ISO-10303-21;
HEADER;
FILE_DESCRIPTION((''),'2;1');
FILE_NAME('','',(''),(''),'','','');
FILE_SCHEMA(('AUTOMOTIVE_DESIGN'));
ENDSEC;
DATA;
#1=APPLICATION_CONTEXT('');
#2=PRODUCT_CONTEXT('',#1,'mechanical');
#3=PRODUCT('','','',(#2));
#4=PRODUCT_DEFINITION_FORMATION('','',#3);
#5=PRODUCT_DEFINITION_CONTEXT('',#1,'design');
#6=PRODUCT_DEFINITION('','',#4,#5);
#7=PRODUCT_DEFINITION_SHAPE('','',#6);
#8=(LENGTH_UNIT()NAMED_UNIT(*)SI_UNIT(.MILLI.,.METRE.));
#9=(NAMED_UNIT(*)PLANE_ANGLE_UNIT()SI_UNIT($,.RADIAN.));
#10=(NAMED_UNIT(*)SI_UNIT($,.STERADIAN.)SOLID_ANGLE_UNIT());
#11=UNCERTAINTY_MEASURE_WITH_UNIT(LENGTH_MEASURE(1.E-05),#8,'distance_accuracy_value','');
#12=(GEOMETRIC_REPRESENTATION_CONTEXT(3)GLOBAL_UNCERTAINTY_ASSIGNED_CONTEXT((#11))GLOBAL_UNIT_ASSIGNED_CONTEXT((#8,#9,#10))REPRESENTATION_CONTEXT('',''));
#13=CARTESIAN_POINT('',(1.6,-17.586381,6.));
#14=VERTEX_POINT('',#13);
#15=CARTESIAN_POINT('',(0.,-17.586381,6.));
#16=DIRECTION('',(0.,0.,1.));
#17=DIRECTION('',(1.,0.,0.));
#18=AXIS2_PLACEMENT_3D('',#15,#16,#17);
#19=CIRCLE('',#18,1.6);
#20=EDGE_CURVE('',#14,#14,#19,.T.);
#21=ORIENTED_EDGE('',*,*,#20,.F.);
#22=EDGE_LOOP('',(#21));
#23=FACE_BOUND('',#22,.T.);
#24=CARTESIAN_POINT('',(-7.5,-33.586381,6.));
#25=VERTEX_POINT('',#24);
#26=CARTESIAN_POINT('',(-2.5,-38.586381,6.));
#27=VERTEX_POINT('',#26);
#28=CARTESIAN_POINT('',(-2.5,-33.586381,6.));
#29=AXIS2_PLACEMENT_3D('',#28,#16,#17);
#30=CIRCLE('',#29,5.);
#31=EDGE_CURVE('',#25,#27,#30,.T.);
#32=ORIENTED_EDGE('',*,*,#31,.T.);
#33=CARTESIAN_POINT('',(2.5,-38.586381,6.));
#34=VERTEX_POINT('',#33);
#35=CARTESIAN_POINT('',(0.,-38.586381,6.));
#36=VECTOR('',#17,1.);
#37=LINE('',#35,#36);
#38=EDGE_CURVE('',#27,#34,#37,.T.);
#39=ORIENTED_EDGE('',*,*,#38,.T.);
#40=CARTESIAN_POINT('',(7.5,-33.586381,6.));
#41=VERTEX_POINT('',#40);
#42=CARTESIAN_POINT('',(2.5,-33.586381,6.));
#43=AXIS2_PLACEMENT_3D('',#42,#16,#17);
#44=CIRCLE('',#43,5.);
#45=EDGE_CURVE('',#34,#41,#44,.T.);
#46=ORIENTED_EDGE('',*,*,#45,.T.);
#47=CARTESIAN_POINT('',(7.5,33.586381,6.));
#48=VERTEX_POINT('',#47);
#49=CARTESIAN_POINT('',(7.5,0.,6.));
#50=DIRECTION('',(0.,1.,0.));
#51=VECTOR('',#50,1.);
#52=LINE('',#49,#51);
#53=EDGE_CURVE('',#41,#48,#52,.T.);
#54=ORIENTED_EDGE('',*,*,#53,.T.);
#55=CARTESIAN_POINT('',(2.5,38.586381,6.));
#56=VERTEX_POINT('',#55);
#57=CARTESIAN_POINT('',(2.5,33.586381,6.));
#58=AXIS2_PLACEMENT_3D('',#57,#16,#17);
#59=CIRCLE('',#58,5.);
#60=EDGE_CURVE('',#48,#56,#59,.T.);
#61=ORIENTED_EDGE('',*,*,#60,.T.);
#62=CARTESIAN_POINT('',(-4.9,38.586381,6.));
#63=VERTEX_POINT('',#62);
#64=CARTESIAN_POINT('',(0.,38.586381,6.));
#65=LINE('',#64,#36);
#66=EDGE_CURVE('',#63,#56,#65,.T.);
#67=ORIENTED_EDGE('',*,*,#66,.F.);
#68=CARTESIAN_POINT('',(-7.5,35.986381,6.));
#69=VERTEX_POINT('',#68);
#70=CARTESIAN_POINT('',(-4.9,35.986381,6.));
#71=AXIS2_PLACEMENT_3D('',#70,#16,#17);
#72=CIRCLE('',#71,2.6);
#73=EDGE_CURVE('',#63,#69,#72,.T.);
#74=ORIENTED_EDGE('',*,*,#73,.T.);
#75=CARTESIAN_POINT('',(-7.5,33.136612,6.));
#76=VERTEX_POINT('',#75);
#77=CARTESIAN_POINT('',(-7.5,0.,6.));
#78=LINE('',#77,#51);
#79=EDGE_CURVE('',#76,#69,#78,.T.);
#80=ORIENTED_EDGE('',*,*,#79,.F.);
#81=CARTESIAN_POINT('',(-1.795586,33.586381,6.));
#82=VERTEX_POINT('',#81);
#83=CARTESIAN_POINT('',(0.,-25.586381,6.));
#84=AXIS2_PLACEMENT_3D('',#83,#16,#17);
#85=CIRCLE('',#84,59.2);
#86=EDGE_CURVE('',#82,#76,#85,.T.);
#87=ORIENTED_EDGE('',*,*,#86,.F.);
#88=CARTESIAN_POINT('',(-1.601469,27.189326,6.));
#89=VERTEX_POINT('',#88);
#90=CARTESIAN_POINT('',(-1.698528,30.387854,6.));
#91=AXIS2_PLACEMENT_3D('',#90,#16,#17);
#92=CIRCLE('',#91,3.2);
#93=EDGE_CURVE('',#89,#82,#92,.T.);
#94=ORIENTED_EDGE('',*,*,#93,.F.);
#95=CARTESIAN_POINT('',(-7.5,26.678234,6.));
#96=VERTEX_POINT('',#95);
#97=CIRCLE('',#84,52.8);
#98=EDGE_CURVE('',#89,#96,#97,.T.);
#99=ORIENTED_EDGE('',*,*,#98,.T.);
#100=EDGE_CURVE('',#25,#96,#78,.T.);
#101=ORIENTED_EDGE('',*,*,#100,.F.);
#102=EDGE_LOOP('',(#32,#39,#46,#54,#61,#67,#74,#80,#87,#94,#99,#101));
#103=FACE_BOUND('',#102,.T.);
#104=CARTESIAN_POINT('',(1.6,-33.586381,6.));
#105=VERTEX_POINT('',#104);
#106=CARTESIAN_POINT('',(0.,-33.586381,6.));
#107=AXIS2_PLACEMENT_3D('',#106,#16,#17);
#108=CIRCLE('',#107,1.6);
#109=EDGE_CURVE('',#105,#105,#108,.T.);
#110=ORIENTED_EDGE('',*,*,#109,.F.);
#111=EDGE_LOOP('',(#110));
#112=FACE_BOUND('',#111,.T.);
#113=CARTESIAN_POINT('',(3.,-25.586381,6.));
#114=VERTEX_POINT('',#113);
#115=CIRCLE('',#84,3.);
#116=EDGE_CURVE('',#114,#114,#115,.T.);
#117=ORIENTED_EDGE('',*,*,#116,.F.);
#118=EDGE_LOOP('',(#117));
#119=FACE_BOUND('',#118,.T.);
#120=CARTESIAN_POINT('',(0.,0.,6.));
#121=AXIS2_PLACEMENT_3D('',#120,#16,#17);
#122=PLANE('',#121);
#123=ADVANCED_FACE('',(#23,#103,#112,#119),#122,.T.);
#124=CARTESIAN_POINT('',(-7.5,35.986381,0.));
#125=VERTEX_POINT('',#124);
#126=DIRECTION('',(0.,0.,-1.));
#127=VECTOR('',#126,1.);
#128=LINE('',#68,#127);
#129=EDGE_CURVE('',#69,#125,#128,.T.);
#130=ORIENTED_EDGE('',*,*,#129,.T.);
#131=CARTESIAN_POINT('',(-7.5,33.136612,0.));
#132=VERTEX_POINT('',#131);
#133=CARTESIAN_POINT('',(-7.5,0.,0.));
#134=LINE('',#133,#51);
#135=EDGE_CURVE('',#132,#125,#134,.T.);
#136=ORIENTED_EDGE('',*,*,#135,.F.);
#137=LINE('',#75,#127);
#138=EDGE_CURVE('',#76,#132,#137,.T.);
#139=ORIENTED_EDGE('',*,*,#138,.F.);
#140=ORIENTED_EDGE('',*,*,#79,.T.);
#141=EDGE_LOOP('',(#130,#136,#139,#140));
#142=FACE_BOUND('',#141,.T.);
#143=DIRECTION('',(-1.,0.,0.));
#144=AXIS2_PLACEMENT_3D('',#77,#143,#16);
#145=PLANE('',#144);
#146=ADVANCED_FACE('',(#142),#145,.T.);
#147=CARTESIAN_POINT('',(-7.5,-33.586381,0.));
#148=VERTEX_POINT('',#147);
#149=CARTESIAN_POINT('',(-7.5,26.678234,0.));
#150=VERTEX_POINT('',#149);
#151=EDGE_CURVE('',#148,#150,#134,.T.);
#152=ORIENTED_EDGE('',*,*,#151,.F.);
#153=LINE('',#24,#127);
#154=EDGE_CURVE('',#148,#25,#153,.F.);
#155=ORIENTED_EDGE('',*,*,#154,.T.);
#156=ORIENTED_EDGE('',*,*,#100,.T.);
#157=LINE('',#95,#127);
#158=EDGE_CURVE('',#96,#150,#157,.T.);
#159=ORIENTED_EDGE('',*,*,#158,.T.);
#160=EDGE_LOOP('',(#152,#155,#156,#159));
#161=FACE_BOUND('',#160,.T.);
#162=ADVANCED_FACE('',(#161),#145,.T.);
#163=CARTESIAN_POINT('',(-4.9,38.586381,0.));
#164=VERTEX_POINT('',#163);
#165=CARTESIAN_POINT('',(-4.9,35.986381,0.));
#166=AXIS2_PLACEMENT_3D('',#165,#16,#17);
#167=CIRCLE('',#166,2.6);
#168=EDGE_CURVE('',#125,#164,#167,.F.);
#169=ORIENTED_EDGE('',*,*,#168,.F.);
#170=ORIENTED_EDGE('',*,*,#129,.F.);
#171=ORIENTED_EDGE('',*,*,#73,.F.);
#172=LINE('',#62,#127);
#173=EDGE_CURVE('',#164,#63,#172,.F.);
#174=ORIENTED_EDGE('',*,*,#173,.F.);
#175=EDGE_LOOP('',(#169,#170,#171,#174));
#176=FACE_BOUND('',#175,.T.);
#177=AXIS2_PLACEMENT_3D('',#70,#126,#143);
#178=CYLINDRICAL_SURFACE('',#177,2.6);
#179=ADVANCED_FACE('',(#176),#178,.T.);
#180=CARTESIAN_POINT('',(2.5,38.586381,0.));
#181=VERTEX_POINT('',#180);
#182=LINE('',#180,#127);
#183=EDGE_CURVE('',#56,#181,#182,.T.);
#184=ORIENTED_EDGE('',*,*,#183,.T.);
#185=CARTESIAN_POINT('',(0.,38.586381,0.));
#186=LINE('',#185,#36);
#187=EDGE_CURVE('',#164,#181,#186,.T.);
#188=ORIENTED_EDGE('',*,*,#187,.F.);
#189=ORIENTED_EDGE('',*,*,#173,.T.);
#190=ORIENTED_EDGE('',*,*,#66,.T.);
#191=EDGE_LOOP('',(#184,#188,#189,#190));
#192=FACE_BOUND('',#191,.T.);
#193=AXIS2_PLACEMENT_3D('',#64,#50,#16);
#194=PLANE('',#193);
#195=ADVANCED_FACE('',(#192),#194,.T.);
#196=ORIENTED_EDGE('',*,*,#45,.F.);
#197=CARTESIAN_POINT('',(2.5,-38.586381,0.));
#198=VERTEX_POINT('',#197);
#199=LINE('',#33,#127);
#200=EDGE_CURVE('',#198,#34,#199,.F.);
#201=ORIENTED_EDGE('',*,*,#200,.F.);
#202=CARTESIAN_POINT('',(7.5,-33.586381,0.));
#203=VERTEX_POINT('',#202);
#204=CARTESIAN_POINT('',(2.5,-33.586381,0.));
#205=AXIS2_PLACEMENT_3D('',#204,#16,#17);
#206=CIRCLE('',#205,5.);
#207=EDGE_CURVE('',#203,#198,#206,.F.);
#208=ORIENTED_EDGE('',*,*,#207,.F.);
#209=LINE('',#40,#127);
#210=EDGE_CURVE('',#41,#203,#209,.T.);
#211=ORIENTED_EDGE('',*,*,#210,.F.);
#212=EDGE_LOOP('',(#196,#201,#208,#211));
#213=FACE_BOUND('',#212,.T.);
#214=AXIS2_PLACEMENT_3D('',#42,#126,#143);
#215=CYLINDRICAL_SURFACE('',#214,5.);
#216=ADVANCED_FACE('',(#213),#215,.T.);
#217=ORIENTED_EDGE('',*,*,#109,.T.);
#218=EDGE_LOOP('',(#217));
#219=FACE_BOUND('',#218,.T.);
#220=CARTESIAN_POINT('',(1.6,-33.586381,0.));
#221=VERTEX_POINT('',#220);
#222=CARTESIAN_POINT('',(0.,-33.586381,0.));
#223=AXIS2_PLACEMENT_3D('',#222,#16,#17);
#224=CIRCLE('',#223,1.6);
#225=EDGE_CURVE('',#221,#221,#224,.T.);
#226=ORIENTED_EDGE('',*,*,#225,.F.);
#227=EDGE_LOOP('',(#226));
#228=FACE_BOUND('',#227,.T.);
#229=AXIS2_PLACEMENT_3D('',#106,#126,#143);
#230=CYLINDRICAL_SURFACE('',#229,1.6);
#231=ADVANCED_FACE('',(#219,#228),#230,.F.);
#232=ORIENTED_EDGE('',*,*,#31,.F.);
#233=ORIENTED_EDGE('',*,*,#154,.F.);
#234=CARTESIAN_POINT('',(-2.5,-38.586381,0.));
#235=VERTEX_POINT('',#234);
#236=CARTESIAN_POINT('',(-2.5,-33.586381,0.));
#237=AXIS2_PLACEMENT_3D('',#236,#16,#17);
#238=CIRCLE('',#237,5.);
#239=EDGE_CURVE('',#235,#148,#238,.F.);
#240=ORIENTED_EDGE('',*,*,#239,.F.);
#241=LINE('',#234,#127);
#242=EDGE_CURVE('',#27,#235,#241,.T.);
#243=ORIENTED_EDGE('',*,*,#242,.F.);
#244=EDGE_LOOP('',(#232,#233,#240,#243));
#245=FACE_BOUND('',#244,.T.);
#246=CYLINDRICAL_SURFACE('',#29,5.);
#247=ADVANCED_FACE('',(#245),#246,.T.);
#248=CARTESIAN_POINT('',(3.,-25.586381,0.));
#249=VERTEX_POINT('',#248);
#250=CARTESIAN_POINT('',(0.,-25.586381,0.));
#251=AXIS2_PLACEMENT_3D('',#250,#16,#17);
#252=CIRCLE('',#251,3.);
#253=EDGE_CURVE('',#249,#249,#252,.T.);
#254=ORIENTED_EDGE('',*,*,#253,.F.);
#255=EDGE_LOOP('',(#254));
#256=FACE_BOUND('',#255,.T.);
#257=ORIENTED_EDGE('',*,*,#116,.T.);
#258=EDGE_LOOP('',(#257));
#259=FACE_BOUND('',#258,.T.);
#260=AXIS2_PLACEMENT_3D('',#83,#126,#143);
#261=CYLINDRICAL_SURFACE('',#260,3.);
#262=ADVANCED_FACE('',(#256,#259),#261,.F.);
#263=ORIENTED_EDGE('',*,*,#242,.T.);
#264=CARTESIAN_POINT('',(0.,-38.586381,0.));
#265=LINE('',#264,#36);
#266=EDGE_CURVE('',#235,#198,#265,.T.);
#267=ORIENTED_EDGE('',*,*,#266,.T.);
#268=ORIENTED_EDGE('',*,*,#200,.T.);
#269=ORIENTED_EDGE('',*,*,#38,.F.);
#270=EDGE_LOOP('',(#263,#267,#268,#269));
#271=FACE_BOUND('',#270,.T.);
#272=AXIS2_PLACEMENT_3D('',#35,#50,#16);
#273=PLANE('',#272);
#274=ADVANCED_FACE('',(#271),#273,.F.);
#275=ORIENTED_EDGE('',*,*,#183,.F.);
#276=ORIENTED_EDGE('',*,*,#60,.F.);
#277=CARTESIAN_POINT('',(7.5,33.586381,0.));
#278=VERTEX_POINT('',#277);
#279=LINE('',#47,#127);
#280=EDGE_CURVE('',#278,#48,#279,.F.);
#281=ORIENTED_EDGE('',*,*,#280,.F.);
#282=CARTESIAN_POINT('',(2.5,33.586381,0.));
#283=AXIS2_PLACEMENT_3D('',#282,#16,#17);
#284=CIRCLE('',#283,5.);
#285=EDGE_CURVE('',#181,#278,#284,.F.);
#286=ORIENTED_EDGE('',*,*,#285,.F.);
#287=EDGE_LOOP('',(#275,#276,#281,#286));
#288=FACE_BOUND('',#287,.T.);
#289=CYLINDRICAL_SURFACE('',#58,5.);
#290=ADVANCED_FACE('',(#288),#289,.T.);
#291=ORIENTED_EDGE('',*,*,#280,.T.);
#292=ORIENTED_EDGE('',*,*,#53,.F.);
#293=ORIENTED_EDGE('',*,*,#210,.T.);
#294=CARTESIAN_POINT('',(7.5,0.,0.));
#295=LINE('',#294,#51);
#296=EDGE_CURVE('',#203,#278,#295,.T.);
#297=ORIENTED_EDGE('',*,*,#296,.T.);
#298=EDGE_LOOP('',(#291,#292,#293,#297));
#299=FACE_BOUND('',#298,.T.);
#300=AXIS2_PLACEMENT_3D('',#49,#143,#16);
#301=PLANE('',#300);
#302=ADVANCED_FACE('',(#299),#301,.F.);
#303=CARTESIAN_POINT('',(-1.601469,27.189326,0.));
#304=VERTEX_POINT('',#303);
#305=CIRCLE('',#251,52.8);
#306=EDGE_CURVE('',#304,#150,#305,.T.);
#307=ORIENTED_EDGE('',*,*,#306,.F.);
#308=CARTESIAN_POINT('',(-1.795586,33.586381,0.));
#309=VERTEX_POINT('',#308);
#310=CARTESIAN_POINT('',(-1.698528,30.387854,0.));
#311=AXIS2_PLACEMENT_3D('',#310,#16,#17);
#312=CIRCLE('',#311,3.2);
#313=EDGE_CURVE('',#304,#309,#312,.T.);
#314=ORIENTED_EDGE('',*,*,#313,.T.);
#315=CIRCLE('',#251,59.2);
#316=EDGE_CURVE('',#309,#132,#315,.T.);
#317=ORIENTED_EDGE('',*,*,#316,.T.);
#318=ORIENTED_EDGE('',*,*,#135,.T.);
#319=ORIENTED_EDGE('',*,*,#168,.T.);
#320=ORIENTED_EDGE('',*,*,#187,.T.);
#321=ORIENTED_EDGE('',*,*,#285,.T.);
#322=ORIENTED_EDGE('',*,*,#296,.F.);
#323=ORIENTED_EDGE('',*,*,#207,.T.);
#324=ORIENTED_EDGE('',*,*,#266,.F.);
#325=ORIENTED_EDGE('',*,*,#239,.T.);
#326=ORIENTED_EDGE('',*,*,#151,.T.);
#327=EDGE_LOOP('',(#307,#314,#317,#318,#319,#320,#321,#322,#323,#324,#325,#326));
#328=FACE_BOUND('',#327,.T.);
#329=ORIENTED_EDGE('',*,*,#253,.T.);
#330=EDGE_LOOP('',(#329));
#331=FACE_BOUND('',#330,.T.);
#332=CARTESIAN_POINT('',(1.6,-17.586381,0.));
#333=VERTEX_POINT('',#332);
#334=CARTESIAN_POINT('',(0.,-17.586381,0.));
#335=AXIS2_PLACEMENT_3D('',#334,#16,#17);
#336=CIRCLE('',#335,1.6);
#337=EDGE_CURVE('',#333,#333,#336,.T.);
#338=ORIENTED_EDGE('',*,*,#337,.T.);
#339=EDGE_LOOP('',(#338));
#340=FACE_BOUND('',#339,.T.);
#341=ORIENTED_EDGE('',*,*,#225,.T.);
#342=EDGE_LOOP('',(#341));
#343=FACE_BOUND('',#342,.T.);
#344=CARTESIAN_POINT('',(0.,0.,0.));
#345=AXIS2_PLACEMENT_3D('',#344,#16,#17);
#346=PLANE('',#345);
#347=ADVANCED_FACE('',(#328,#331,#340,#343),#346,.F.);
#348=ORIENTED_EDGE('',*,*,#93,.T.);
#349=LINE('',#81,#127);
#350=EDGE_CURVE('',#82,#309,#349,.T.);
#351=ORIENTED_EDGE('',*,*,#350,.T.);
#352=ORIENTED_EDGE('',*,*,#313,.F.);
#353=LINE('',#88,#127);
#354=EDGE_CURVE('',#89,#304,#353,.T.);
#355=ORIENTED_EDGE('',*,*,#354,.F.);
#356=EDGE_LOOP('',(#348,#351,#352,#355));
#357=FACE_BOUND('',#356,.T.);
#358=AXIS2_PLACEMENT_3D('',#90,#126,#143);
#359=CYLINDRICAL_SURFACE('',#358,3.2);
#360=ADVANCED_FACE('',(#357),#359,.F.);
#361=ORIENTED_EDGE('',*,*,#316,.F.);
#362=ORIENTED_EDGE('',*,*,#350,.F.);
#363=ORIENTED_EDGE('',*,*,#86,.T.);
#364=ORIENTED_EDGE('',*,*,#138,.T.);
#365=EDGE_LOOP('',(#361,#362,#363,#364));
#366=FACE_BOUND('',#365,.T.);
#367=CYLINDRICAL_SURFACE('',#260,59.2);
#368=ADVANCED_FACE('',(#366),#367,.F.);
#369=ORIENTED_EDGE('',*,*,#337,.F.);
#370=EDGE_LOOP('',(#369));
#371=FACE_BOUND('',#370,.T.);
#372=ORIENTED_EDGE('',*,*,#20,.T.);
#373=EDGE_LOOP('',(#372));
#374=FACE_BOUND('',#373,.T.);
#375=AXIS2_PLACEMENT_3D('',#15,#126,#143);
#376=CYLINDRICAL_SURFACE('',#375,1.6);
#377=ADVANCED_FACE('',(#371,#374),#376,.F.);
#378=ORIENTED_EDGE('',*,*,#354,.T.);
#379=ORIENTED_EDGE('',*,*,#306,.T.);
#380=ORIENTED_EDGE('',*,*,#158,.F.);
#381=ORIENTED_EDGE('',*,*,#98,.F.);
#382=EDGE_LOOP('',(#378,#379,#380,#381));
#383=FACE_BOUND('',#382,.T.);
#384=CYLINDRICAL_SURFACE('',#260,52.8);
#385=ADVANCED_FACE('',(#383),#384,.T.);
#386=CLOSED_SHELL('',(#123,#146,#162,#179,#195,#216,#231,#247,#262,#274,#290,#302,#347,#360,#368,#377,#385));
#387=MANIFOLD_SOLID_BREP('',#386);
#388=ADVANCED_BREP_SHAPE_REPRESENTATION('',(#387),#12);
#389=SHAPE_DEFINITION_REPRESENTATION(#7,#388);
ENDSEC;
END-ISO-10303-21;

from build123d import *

# Parameters (mm, degrees)
ESBO_O1_R                = 1.6
ESBO_O1_R_2              = 3
RESSALTO_EXTRUS_O1_DEPTH = 6
FILETE1_R                = 5
FILETE2_R                = 2.6


with BuildPart() as part:
    # Esboço1 → Ressalto-extrusão1 (new body)
    with BuildSketch(Plane.XY):
        with BuildLine():
            Line((-7.5, 26.678233731), (-7.5, -38.58638145))
            Line((-7.5, -38.58638145), (7.5, -38.58638145))
            Line((7.5, -38.58638145), (7.5, 38.58638145))
            Line((7.5, 38.58638145), (-7.5, 38.58638145))
            Line((-7.5, 38.58638145), (-7.5, 33.136612343))
            ThreePointArc((-7.5, 33.136612343), (-4.653230591, 33.430458901), (-1.795586451, 33.58638145))
            ThreePointArc((-1.795586451, 33.58638145), (1.5, 30.484912453), (-1.601468997, 27.189326002))
            ThreePointArc((-1.601468997, 27.189326002), (-4.557903938, 27.016522573), (-7.5, 26.678233731))
        make_face()
        with Locations((0, -33.58638145)):
            Circle(ESBO_O1_R, mode=Mode.SUBTRACT)
        with Locations((0, -25.58638145)):
            Circle(ESBO_O1_R_2, mode=Mode.SUBTRACT)
        with Locations((0, -17.58638145)):
            Circle(ESBO_O1_R, mode=Mode.SUBTRACT)
    extrude(amount=RESSALTO_EXTRUS_O1_DEPTH)

    # Filete1
    filete1_edges = [part.edges().sort_by_distance(p)[0] for p in [
        (7.5, 38.58638145, 3),
        (7.5, -38.58638145, 3),
        (-7.5, -38.58638145, 3),
    ]]
    fillet(filete1_edges, radius=FILETE1_R)

    # Filete2
    filete2_edges = [part.edges().sort_by_distance(p)[0] for p in [
        (-7.5, 38.58638145, 3),
    ]]
    fillet(filete2_edges, radius=FILETE2_R)


solid = part.part
